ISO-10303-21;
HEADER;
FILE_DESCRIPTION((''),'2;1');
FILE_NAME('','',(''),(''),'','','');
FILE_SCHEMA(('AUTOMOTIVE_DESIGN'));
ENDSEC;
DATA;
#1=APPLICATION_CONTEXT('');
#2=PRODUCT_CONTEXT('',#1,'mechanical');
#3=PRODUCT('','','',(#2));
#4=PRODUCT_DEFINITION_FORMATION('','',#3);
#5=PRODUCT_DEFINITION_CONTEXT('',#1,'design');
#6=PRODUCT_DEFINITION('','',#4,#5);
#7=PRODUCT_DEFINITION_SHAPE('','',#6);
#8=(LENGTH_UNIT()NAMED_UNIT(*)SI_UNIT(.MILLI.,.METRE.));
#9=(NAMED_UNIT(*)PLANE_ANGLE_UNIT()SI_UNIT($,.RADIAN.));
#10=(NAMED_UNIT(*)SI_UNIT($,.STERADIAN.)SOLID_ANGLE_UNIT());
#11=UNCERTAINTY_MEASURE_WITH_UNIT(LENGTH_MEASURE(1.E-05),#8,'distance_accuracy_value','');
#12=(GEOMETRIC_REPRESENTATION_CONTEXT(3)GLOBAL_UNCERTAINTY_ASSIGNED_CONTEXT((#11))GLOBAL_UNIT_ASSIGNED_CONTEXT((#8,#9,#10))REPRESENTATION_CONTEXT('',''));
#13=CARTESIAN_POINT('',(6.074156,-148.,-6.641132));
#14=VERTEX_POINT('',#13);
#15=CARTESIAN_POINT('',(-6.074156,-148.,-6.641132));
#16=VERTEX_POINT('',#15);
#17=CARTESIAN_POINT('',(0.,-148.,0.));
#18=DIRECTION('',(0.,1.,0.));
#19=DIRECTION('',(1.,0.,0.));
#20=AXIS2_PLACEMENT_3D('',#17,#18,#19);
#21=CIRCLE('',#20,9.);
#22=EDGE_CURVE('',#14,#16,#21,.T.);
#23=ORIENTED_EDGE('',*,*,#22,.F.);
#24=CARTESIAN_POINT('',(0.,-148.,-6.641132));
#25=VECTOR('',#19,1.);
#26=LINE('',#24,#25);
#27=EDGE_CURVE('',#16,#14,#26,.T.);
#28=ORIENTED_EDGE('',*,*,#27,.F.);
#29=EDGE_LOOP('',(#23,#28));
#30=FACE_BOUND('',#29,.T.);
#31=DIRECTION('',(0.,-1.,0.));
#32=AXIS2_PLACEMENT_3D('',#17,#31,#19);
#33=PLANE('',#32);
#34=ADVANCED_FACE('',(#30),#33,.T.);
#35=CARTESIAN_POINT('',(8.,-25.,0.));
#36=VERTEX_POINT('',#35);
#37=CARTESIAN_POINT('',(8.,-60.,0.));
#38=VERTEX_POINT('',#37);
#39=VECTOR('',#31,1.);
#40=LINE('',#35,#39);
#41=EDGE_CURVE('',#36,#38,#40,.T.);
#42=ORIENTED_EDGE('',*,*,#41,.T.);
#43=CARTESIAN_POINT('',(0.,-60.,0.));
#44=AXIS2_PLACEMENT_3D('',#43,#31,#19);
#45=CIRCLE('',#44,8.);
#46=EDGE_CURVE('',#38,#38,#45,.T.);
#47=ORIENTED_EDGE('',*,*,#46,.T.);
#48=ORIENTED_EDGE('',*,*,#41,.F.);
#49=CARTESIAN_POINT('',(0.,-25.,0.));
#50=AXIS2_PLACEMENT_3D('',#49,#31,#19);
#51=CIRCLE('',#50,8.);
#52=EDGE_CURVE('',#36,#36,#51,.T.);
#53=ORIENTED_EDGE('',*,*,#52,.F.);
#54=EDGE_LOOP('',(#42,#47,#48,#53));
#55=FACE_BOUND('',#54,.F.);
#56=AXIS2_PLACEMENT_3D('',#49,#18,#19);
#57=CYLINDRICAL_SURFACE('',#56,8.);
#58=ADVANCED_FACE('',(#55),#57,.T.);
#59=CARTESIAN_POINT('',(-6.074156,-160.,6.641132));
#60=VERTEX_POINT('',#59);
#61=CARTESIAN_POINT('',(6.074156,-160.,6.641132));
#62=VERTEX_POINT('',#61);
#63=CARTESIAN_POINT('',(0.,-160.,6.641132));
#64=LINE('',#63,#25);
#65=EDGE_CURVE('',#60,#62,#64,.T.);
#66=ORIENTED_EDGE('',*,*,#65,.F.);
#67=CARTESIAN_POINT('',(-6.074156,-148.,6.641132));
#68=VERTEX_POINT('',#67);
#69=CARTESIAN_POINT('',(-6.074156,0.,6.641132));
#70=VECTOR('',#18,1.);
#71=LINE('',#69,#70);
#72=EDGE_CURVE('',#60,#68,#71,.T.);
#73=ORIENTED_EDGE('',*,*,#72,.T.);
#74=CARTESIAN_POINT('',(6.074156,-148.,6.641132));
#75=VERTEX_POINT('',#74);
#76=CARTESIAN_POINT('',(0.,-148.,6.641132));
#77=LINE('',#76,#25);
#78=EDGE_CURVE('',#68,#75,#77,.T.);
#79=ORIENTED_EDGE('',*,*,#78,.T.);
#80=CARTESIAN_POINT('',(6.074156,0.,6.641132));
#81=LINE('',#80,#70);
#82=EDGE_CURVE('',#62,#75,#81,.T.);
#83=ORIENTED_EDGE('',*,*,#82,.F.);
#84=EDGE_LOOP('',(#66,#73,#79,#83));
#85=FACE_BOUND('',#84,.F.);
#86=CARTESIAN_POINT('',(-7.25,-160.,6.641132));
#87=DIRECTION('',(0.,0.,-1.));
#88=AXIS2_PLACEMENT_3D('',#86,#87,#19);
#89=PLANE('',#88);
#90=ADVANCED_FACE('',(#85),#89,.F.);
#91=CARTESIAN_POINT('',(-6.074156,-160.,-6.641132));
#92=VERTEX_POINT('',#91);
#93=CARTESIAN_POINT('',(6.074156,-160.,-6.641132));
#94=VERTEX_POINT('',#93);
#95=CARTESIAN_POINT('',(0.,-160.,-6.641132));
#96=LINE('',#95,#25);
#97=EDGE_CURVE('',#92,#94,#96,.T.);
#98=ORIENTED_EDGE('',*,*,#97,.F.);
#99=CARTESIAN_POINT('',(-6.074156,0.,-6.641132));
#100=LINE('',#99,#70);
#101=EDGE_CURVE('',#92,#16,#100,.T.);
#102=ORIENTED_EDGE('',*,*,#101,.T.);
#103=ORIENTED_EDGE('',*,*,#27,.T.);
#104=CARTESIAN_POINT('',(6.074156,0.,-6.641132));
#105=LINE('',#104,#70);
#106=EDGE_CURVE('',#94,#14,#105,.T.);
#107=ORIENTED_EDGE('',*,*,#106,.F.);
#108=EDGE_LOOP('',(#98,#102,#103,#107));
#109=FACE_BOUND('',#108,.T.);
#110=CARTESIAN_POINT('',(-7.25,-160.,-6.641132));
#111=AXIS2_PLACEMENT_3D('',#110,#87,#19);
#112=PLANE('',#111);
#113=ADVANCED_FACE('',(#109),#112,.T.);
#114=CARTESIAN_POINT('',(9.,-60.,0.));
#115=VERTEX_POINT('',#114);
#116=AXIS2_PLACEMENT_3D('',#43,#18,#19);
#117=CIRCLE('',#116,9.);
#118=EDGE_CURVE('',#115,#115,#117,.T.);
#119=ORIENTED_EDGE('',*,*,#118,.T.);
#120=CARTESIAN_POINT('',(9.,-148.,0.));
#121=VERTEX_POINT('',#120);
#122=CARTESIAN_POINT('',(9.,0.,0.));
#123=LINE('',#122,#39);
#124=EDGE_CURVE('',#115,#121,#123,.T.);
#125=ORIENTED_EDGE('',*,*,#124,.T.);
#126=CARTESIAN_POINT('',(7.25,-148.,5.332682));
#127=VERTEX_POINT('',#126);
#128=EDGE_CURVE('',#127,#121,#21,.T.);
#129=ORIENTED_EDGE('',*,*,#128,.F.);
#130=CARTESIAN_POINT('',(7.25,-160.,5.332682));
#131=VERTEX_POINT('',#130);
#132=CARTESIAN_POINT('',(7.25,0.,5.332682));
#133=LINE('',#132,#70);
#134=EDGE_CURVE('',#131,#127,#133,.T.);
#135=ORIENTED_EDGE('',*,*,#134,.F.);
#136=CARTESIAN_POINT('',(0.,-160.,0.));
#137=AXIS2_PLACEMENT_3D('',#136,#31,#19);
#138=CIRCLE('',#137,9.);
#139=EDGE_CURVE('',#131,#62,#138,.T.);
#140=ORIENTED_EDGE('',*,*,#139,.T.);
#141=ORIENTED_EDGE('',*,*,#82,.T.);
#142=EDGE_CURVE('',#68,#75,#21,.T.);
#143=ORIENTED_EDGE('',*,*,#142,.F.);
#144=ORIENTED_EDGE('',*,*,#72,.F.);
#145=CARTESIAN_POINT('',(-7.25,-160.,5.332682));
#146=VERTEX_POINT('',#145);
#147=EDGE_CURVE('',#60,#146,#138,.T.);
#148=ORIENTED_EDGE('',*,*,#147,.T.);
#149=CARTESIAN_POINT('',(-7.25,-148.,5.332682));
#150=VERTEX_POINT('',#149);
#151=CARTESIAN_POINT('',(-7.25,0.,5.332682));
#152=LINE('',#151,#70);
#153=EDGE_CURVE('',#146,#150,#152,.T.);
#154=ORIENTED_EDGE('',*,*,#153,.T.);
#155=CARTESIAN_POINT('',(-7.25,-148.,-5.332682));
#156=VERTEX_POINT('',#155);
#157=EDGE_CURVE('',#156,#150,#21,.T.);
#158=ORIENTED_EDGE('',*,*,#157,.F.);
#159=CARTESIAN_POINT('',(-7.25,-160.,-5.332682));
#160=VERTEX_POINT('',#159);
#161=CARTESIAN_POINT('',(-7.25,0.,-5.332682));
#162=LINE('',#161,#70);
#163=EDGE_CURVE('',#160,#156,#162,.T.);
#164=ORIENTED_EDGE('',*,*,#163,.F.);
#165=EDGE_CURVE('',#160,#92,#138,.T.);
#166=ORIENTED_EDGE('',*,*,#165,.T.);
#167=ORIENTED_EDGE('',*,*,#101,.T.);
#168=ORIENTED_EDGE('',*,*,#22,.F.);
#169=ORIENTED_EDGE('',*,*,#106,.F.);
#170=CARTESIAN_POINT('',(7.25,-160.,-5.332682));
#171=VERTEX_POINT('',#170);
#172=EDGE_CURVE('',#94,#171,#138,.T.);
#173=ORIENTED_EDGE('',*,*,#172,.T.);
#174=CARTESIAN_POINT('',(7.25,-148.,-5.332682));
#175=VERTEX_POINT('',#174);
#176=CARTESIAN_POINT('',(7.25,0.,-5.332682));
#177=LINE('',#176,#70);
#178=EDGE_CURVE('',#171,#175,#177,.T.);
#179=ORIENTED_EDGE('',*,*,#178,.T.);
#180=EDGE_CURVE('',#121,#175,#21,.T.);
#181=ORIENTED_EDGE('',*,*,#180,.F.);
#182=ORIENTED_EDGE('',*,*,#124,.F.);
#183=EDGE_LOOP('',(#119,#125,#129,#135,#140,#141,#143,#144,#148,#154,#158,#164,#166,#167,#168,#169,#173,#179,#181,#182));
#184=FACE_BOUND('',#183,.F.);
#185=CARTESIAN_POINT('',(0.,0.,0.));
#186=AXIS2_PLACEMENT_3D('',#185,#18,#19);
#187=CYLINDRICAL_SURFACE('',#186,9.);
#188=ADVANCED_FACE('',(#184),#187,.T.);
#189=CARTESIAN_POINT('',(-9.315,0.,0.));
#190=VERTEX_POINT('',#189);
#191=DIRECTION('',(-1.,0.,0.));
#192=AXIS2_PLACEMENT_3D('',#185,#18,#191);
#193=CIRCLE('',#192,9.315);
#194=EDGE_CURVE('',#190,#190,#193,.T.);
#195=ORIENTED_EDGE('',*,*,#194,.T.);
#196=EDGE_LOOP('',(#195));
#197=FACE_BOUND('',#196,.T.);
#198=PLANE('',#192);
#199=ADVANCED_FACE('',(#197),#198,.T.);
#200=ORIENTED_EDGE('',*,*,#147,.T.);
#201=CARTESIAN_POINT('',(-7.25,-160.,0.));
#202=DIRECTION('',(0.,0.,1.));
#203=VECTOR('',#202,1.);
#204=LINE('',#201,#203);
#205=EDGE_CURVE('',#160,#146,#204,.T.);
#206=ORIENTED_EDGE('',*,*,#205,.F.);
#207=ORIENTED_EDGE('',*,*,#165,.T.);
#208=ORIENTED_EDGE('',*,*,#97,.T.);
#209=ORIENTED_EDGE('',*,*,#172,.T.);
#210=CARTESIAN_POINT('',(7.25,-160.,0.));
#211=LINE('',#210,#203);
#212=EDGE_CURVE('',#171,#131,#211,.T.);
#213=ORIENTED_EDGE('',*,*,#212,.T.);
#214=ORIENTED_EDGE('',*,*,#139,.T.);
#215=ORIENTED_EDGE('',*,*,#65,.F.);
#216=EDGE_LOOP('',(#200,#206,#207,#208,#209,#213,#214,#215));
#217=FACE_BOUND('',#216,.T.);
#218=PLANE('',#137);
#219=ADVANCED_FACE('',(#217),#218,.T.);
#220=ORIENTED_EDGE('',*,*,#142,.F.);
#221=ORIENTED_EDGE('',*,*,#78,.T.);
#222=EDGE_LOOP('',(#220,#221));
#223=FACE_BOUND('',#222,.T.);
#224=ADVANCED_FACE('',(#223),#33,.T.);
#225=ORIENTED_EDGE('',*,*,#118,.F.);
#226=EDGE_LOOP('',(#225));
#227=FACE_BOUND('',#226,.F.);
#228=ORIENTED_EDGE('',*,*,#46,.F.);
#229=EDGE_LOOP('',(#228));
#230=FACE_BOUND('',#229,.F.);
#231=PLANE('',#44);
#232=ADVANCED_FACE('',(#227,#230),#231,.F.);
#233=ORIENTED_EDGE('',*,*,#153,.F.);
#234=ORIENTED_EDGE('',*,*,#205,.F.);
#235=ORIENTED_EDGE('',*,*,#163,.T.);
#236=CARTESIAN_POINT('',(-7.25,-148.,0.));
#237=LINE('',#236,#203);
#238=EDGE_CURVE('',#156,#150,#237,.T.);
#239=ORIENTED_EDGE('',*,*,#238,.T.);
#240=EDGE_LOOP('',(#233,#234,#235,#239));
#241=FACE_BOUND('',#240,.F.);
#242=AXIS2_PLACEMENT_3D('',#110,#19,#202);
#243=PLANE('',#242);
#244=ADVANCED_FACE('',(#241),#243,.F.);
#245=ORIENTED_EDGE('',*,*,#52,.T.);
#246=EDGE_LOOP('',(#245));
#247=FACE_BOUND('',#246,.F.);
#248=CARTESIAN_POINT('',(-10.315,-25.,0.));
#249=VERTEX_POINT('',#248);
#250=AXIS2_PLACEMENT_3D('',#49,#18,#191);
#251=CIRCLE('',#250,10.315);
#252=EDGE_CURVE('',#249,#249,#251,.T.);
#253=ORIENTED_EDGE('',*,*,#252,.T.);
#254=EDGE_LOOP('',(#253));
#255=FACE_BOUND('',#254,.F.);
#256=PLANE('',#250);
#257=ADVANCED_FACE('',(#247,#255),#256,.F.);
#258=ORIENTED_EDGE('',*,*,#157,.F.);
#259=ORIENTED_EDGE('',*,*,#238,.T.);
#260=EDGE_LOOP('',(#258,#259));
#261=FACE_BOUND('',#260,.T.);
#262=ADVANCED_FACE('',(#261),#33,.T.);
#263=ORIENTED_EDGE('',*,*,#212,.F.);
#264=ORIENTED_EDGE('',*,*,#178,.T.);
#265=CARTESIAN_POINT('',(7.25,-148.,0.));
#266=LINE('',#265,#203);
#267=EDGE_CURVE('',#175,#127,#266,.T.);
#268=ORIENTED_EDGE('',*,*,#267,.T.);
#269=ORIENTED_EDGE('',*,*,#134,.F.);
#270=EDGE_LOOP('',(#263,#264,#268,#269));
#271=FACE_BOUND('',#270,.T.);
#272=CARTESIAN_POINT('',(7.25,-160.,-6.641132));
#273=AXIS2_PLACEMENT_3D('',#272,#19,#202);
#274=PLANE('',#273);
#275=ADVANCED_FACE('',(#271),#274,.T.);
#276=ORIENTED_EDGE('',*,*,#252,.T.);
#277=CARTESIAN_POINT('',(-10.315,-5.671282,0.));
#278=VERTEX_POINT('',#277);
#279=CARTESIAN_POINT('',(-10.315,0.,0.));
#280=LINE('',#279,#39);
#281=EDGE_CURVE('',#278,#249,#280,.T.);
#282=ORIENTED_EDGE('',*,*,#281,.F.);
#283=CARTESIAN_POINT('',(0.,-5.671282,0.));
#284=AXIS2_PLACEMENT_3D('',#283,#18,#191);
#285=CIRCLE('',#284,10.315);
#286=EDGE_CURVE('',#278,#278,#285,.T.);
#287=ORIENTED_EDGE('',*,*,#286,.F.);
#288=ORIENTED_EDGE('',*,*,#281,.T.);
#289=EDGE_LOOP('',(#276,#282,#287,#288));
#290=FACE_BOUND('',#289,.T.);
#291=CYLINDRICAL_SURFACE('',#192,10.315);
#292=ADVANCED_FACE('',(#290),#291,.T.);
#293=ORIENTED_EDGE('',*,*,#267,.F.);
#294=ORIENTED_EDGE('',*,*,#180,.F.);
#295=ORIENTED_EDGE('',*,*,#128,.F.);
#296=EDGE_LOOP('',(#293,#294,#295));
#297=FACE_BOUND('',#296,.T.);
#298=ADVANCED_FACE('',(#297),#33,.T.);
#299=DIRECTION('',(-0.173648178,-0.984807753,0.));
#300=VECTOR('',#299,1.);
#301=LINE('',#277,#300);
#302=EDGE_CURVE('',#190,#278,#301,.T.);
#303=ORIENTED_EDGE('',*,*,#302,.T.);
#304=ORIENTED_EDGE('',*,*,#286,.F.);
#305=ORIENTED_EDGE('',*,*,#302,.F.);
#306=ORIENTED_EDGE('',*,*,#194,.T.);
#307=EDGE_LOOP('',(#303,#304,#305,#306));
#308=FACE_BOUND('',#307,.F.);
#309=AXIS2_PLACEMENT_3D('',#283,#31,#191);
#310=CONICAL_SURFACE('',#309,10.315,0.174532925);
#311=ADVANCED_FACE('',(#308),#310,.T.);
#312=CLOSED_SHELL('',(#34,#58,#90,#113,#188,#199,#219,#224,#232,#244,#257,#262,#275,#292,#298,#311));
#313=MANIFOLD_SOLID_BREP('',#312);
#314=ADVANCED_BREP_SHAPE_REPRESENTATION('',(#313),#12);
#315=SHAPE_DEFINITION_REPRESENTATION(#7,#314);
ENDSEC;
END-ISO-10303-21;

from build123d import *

# Parameters (mm, degrees)
F0_R     = 9
F1_DEPTH = 160
F2_W     = 23.4179981053
F2_H     = 22.6416159421
F2_W_2   = 14.5
F2_H_2   = 13.2822632294
F3_DEPTH = 12
F4_R     = 10.315
F5_DEPTH = 25
F6_SIZE2 = 5.6712818196
F6_SIZE  = 1
F7_R     = 14.7612930143
F7_R_2   = 8
F8_DEPTH = 35


with BuildPart() as f1:
    # F0 (on Front) → F1 (new body)
    with BuildSketch(Plane.XZ):
        Circle(F0_R)
    extrude(amount=F1_DEPTH)

    # F2 (on face) → F3 (cut)
    with BuildSketch(Plane.XZ.offset(160)):
        Rectangle(F2_W, F2_H)
        Rectangle(F2_W_2, F2_H_2, mode=Mode.SUBTRACT)
    extrude(amount=-F3_DEPTH, mode=Mode.SUBTRACT)

    # F4 (on face) → F5 (join)
    with BuildSketch(Plane(origin=(0, 0, 0), x_dir=(-1, 0, 0), z_dir=(0, 1, 0))):
        Circle(F4_R)
    extrude(amount=-F5_DEPTH)

    # F6
    f6_edges = [f1.edges().sort_by_distance(p)[0] for p in [
        (10.315, 0, 0),
    ]]
    f6_side = f1.faces().sort_by_distance((0, 0, 0))[0]
    chamfer(f6_edges, length=F6_SIZE, length2=F6_SIZE2, reference=f6_side)

    # F7 (on face) → F8 (cut)
    with BuildSketch(Plane.XZ.offset(25)):
        Circle(F7_R)
        Circle(F7_R_2, mode=Mode.SUBTRACT)
    extrude(amount=F8_DEPTH, mode=Mode.SUBTRACT)


solid = f1.part
